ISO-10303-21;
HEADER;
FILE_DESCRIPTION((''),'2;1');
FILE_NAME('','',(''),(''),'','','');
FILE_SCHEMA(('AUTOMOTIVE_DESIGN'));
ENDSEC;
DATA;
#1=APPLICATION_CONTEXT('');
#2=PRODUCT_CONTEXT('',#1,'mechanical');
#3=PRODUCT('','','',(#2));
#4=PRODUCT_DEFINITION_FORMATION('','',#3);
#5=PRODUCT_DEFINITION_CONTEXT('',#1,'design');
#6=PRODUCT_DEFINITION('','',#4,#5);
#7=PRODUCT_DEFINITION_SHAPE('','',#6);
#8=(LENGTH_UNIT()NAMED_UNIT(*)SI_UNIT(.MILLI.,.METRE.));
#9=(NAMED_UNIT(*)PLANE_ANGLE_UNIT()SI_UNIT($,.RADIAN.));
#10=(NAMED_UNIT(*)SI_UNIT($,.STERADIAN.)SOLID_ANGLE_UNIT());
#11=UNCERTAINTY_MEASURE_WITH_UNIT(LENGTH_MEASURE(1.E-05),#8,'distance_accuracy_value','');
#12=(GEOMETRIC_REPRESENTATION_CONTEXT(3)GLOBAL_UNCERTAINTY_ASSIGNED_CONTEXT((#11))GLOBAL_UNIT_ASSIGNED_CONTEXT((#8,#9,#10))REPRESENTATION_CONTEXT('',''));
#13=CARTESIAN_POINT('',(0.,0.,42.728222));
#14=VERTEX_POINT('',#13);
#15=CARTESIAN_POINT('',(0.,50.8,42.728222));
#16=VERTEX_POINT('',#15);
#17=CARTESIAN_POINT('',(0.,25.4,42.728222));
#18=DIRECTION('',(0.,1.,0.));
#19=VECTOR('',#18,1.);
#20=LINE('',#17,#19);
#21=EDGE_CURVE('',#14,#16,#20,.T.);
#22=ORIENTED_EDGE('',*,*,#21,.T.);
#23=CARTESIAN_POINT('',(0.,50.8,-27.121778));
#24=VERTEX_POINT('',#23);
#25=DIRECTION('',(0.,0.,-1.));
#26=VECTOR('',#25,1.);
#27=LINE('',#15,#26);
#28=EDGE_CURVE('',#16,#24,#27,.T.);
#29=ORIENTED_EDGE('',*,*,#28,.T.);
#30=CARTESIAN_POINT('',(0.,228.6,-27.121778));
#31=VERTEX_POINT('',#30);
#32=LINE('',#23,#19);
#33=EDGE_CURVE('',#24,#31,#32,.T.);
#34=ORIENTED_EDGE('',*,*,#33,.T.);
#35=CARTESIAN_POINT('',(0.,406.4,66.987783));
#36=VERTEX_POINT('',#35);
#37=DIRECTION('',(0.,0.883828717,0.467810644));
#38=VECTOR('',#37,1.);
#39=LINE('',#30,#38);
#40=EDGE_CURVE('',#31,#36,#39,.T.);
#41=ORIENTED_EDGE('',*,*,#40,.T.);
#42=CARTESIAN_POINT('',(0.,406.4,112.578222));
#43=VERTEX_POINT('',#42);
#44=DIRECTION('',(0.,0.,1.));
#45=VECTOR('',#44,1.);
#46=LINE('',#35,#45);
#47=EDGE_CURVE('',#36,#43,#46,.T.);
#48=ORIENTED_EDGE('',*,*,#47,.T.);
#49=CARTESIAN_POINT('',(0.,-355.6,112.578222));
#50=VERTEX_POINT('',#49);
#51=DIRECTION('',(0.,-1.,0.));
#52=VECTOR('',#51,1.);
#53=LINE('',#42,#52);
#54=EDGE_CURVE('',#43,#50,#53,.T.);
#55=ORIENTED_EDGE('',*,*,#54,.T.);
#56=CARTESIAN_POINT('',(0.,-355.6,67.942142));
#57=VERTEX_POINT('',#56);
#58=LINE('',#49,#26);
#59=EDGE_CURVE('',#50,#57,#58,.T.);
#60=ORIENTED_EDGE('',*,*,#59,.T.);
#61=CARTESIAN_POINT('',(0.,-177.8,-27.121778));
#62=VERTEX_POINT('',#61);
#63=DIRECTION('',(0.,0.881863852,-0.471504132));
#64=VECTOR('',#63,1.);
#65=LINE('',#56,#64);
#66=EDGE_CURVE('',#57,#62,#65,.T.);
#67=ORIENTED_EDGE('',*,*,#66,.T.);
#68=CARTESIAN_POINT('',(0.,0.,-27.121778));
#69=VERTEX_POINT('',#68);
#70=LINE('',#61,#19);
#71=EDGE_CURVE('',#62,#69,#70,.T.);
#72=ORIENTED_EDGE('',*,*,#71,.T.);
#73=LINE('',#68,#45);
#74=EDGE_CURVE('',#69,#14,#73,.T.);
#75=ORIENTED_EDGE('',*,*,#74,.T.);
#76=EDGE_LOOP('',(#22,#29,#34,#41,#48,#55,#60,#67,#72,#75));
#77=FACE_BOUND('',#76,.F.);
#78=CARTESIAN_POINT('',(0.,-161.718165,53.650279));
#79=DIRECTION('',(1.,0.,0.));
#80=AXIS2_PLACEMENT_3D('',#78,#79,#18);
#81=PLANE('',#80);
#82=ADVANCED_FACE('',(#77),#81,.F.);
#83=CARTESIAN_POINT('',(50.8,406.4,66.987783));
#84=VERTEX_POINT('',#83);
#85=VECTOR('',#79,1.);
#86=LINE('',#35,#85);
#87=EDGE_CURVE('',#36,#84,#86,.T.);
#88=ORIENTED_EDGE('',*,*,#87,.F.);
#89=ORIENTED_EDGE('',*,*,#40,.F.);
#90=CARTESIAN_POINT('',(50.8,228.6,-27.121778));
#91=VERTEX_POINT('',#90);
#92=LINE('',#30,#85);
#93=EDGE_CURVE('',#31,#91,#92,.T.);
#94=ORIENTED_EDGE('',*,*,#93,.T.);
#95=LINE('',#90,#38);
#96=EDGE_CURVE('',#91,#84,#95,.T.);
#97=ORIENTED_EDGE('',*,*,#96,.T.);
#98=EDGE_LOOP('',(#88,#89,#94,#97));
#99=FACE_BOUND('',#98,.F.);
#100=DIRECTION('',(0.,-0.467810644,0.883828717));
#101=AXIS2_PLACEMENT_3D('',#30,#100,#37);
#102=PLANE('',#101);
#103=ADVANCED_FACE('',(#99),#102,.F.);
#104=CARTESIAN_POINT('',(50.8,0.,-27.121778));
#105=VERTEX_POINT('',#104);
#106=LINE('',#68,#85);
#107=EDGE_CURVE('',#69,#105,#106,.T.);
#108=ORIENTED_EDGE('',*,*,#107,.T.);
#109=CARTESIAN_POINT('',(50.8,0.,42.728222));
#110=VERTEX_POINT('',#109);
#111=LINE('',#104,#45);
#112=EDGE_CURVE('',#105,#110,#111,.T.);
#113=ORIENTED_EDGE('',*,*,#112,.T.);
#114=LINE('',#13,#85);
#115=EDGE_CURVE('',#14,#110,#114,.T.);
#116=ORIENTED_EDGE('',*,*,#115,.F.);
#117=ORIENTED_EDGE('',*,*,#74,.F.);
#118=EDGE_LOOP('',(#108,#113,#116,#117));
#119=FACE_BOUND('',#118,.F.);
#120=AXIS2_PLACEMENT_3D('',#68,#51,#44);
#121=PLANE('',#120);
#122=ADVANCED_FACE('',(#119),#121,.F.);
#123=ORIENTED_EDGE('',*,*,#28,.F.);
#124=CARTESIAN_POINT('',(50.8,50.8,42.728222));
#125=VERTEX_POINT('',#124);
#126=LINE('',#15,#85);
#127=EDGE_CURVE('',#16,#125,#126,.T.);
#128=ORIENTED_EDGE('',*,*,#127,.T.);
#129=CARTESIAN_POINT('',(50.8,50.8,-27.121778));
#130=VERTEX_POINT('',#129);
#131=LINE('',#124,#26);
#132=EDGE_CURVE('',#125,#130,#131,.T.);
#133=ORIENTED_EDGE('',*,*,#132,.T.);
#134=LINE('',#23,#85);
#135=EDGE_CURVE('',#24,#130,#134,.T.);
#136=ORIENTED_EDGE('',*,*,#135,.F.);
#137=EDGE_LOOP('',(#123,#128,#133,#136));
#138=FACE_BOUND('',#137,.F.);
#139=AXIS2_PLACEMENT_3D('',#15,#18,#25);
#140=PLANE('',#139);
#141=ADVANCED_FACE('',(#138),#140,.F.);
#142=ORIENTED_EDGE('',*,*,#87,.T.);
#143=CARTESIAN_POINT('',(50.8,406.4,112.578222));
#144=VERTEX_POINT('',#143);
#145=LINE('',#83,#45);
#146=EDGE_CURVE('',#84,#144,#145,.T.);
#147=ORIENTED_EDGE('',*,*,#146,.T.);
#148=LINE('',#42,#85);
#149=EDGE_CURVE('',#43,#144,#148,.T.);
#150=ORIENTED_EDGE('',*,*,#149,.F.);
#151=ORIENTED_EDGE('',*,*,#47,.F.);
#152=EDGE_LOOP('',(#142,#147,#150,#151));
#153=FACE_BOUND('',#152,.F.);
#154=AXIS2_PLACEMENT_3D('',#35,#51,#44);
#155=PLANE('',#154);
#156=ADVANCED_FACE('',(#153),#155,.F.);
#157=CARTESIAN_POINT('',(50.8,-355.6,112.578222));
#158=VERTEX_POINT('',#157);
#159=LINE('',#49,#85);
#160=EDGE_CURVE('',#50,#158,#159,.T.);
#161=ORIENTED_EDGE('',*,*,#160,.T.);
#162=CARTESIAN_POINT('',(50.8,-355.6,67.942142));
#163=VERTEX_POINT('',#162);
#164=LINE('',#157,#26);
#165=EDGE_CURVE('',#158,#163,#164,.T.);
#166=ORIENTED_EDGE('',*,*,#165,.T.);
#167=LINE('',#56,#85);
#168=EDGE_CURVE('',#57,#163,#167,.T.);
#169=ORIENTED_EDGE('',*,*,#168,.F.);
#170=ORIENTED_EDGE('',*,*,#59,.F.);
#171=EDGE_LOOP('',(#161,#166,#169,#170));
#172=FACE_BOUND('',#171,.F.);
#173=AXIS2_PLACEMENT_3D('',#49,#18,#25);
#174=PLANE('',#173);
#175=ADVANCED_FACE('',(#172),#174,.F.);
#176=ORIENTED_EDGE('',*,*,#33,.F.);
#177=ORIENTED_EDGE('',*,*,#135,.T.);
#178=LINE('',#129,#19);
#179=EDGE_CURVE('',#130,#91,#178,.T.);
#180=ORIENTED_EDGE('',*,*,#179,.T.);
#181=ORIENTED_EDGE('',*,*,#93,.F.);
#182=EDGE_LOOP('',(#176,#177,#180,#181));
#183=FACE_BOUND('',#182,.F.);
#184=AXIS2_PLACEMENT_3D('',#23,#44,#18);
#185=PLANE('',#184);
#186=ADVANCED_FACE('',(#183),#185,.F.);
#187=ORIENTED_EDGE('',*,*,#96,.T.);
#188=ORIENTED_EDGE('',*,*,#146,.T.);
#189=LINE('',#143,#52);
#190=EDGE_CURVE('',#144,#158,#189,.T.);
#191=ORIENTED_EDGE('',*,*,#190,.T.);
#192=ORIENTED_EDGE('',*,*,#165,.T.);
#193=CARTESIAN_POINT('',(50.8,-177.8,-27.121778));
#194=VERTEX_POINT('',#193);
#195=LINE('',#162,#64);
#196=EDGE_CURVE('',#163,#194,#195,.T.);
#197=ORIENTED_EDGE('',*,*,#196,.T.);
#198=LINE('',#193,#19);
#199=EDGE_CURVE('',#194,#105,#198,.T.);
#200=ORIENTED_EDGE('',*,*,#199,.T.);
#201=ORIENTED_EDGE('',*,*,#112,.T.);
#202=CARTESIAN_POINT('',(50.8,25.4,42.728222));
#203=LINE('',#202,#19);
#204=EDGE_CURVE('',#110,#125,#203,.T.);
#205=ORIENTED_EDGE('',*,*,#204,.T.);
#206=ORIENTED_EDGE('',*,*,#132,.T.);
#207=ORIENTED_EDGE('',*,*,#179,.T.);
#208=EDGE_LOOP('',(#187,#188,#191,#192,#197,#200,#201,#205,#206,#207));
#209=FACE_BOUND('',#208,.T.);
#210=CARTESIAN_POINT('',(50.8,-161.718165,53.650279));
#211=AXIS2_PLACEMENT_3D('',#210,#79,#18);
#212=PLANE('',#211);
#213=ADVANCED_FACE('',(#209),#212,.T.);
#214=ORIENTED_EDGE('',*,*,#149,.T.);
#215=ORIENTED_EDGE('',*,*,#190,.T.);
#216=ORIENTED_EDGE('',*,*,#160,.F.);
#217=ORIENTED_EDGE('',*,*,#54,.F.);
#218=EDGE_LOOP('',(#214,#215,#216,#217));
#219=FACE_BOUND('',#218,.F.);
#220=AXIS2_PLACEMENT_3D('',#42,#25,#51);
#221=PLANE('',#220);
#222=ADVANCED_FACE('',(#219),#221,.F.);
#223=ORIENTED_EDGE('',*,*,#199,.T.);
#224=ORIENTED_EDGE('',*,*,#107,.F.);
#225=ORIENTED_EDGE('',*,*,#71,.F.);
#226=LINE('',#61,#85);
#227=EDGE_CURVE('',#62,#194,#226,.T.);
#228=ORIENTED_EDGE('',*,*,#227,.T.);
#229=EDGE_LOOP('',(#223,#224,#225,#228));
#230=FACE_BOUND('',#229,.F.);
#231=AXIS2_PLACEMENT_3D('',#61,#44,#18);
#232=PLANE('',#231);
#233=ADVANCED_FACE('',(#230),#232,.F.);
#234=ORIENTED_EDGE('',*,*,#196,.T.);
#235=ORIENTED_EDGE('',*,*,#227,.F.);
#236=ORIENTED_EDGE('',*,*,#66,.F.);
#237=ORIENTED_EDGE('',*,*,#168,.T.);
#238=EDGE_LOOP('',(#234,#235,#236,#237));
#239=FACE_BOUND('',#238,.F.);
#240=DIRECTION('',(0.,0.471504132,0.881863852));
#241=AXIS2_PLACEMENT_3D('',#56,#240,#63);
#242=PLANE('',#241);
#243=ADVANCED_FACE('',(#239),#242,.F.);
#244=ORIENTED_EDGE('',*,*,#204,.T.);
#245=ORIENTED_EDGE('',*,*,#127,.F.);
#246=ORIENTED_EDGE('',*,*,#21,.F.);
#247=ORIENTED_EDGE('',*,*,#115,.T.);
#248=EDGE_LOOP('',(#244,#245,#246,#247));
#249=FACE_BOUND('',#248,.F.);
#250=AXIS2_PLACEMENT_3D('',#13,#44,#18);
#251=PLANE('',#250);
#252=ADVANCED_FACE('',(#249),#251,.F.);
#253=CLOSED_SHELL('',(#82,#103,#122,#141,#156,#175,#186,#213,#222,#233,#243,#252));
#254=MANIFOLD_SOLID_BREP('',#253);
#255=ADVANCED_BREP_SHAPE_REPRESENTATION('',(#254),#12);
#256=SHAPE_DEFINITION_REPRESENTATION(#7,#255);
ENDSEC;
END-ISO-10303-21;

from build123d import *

# Parameters (mm, degrees)
F0_W     = 50.8
F0_H     = 69.85
F1_DEPTH = 50.8


with BuildPart() as f1:
    # F0 (on Right) → F1 (new body)
    with BuildSketch(Plane.YZ):
        Polygon((-177.8, -27.121778), (0, -27.121778), (0, 42.728222), (0, 112.578222), (-355.6, 112.578222), (-355.6, 67.942142), align=None)
        with Locations((25.4, 77.653222)):
            Rectangle(F0_W, F0_H)
        Polygon((50.8, 112.578222), (50.8, 42.728222), (50.8, -27.121778), (228.6, -27.121778), (406.4, 66.987783), (406.4, 112.578222), align=None)
    extrude(amount=F1_DEPTH)


solid = f1.part
